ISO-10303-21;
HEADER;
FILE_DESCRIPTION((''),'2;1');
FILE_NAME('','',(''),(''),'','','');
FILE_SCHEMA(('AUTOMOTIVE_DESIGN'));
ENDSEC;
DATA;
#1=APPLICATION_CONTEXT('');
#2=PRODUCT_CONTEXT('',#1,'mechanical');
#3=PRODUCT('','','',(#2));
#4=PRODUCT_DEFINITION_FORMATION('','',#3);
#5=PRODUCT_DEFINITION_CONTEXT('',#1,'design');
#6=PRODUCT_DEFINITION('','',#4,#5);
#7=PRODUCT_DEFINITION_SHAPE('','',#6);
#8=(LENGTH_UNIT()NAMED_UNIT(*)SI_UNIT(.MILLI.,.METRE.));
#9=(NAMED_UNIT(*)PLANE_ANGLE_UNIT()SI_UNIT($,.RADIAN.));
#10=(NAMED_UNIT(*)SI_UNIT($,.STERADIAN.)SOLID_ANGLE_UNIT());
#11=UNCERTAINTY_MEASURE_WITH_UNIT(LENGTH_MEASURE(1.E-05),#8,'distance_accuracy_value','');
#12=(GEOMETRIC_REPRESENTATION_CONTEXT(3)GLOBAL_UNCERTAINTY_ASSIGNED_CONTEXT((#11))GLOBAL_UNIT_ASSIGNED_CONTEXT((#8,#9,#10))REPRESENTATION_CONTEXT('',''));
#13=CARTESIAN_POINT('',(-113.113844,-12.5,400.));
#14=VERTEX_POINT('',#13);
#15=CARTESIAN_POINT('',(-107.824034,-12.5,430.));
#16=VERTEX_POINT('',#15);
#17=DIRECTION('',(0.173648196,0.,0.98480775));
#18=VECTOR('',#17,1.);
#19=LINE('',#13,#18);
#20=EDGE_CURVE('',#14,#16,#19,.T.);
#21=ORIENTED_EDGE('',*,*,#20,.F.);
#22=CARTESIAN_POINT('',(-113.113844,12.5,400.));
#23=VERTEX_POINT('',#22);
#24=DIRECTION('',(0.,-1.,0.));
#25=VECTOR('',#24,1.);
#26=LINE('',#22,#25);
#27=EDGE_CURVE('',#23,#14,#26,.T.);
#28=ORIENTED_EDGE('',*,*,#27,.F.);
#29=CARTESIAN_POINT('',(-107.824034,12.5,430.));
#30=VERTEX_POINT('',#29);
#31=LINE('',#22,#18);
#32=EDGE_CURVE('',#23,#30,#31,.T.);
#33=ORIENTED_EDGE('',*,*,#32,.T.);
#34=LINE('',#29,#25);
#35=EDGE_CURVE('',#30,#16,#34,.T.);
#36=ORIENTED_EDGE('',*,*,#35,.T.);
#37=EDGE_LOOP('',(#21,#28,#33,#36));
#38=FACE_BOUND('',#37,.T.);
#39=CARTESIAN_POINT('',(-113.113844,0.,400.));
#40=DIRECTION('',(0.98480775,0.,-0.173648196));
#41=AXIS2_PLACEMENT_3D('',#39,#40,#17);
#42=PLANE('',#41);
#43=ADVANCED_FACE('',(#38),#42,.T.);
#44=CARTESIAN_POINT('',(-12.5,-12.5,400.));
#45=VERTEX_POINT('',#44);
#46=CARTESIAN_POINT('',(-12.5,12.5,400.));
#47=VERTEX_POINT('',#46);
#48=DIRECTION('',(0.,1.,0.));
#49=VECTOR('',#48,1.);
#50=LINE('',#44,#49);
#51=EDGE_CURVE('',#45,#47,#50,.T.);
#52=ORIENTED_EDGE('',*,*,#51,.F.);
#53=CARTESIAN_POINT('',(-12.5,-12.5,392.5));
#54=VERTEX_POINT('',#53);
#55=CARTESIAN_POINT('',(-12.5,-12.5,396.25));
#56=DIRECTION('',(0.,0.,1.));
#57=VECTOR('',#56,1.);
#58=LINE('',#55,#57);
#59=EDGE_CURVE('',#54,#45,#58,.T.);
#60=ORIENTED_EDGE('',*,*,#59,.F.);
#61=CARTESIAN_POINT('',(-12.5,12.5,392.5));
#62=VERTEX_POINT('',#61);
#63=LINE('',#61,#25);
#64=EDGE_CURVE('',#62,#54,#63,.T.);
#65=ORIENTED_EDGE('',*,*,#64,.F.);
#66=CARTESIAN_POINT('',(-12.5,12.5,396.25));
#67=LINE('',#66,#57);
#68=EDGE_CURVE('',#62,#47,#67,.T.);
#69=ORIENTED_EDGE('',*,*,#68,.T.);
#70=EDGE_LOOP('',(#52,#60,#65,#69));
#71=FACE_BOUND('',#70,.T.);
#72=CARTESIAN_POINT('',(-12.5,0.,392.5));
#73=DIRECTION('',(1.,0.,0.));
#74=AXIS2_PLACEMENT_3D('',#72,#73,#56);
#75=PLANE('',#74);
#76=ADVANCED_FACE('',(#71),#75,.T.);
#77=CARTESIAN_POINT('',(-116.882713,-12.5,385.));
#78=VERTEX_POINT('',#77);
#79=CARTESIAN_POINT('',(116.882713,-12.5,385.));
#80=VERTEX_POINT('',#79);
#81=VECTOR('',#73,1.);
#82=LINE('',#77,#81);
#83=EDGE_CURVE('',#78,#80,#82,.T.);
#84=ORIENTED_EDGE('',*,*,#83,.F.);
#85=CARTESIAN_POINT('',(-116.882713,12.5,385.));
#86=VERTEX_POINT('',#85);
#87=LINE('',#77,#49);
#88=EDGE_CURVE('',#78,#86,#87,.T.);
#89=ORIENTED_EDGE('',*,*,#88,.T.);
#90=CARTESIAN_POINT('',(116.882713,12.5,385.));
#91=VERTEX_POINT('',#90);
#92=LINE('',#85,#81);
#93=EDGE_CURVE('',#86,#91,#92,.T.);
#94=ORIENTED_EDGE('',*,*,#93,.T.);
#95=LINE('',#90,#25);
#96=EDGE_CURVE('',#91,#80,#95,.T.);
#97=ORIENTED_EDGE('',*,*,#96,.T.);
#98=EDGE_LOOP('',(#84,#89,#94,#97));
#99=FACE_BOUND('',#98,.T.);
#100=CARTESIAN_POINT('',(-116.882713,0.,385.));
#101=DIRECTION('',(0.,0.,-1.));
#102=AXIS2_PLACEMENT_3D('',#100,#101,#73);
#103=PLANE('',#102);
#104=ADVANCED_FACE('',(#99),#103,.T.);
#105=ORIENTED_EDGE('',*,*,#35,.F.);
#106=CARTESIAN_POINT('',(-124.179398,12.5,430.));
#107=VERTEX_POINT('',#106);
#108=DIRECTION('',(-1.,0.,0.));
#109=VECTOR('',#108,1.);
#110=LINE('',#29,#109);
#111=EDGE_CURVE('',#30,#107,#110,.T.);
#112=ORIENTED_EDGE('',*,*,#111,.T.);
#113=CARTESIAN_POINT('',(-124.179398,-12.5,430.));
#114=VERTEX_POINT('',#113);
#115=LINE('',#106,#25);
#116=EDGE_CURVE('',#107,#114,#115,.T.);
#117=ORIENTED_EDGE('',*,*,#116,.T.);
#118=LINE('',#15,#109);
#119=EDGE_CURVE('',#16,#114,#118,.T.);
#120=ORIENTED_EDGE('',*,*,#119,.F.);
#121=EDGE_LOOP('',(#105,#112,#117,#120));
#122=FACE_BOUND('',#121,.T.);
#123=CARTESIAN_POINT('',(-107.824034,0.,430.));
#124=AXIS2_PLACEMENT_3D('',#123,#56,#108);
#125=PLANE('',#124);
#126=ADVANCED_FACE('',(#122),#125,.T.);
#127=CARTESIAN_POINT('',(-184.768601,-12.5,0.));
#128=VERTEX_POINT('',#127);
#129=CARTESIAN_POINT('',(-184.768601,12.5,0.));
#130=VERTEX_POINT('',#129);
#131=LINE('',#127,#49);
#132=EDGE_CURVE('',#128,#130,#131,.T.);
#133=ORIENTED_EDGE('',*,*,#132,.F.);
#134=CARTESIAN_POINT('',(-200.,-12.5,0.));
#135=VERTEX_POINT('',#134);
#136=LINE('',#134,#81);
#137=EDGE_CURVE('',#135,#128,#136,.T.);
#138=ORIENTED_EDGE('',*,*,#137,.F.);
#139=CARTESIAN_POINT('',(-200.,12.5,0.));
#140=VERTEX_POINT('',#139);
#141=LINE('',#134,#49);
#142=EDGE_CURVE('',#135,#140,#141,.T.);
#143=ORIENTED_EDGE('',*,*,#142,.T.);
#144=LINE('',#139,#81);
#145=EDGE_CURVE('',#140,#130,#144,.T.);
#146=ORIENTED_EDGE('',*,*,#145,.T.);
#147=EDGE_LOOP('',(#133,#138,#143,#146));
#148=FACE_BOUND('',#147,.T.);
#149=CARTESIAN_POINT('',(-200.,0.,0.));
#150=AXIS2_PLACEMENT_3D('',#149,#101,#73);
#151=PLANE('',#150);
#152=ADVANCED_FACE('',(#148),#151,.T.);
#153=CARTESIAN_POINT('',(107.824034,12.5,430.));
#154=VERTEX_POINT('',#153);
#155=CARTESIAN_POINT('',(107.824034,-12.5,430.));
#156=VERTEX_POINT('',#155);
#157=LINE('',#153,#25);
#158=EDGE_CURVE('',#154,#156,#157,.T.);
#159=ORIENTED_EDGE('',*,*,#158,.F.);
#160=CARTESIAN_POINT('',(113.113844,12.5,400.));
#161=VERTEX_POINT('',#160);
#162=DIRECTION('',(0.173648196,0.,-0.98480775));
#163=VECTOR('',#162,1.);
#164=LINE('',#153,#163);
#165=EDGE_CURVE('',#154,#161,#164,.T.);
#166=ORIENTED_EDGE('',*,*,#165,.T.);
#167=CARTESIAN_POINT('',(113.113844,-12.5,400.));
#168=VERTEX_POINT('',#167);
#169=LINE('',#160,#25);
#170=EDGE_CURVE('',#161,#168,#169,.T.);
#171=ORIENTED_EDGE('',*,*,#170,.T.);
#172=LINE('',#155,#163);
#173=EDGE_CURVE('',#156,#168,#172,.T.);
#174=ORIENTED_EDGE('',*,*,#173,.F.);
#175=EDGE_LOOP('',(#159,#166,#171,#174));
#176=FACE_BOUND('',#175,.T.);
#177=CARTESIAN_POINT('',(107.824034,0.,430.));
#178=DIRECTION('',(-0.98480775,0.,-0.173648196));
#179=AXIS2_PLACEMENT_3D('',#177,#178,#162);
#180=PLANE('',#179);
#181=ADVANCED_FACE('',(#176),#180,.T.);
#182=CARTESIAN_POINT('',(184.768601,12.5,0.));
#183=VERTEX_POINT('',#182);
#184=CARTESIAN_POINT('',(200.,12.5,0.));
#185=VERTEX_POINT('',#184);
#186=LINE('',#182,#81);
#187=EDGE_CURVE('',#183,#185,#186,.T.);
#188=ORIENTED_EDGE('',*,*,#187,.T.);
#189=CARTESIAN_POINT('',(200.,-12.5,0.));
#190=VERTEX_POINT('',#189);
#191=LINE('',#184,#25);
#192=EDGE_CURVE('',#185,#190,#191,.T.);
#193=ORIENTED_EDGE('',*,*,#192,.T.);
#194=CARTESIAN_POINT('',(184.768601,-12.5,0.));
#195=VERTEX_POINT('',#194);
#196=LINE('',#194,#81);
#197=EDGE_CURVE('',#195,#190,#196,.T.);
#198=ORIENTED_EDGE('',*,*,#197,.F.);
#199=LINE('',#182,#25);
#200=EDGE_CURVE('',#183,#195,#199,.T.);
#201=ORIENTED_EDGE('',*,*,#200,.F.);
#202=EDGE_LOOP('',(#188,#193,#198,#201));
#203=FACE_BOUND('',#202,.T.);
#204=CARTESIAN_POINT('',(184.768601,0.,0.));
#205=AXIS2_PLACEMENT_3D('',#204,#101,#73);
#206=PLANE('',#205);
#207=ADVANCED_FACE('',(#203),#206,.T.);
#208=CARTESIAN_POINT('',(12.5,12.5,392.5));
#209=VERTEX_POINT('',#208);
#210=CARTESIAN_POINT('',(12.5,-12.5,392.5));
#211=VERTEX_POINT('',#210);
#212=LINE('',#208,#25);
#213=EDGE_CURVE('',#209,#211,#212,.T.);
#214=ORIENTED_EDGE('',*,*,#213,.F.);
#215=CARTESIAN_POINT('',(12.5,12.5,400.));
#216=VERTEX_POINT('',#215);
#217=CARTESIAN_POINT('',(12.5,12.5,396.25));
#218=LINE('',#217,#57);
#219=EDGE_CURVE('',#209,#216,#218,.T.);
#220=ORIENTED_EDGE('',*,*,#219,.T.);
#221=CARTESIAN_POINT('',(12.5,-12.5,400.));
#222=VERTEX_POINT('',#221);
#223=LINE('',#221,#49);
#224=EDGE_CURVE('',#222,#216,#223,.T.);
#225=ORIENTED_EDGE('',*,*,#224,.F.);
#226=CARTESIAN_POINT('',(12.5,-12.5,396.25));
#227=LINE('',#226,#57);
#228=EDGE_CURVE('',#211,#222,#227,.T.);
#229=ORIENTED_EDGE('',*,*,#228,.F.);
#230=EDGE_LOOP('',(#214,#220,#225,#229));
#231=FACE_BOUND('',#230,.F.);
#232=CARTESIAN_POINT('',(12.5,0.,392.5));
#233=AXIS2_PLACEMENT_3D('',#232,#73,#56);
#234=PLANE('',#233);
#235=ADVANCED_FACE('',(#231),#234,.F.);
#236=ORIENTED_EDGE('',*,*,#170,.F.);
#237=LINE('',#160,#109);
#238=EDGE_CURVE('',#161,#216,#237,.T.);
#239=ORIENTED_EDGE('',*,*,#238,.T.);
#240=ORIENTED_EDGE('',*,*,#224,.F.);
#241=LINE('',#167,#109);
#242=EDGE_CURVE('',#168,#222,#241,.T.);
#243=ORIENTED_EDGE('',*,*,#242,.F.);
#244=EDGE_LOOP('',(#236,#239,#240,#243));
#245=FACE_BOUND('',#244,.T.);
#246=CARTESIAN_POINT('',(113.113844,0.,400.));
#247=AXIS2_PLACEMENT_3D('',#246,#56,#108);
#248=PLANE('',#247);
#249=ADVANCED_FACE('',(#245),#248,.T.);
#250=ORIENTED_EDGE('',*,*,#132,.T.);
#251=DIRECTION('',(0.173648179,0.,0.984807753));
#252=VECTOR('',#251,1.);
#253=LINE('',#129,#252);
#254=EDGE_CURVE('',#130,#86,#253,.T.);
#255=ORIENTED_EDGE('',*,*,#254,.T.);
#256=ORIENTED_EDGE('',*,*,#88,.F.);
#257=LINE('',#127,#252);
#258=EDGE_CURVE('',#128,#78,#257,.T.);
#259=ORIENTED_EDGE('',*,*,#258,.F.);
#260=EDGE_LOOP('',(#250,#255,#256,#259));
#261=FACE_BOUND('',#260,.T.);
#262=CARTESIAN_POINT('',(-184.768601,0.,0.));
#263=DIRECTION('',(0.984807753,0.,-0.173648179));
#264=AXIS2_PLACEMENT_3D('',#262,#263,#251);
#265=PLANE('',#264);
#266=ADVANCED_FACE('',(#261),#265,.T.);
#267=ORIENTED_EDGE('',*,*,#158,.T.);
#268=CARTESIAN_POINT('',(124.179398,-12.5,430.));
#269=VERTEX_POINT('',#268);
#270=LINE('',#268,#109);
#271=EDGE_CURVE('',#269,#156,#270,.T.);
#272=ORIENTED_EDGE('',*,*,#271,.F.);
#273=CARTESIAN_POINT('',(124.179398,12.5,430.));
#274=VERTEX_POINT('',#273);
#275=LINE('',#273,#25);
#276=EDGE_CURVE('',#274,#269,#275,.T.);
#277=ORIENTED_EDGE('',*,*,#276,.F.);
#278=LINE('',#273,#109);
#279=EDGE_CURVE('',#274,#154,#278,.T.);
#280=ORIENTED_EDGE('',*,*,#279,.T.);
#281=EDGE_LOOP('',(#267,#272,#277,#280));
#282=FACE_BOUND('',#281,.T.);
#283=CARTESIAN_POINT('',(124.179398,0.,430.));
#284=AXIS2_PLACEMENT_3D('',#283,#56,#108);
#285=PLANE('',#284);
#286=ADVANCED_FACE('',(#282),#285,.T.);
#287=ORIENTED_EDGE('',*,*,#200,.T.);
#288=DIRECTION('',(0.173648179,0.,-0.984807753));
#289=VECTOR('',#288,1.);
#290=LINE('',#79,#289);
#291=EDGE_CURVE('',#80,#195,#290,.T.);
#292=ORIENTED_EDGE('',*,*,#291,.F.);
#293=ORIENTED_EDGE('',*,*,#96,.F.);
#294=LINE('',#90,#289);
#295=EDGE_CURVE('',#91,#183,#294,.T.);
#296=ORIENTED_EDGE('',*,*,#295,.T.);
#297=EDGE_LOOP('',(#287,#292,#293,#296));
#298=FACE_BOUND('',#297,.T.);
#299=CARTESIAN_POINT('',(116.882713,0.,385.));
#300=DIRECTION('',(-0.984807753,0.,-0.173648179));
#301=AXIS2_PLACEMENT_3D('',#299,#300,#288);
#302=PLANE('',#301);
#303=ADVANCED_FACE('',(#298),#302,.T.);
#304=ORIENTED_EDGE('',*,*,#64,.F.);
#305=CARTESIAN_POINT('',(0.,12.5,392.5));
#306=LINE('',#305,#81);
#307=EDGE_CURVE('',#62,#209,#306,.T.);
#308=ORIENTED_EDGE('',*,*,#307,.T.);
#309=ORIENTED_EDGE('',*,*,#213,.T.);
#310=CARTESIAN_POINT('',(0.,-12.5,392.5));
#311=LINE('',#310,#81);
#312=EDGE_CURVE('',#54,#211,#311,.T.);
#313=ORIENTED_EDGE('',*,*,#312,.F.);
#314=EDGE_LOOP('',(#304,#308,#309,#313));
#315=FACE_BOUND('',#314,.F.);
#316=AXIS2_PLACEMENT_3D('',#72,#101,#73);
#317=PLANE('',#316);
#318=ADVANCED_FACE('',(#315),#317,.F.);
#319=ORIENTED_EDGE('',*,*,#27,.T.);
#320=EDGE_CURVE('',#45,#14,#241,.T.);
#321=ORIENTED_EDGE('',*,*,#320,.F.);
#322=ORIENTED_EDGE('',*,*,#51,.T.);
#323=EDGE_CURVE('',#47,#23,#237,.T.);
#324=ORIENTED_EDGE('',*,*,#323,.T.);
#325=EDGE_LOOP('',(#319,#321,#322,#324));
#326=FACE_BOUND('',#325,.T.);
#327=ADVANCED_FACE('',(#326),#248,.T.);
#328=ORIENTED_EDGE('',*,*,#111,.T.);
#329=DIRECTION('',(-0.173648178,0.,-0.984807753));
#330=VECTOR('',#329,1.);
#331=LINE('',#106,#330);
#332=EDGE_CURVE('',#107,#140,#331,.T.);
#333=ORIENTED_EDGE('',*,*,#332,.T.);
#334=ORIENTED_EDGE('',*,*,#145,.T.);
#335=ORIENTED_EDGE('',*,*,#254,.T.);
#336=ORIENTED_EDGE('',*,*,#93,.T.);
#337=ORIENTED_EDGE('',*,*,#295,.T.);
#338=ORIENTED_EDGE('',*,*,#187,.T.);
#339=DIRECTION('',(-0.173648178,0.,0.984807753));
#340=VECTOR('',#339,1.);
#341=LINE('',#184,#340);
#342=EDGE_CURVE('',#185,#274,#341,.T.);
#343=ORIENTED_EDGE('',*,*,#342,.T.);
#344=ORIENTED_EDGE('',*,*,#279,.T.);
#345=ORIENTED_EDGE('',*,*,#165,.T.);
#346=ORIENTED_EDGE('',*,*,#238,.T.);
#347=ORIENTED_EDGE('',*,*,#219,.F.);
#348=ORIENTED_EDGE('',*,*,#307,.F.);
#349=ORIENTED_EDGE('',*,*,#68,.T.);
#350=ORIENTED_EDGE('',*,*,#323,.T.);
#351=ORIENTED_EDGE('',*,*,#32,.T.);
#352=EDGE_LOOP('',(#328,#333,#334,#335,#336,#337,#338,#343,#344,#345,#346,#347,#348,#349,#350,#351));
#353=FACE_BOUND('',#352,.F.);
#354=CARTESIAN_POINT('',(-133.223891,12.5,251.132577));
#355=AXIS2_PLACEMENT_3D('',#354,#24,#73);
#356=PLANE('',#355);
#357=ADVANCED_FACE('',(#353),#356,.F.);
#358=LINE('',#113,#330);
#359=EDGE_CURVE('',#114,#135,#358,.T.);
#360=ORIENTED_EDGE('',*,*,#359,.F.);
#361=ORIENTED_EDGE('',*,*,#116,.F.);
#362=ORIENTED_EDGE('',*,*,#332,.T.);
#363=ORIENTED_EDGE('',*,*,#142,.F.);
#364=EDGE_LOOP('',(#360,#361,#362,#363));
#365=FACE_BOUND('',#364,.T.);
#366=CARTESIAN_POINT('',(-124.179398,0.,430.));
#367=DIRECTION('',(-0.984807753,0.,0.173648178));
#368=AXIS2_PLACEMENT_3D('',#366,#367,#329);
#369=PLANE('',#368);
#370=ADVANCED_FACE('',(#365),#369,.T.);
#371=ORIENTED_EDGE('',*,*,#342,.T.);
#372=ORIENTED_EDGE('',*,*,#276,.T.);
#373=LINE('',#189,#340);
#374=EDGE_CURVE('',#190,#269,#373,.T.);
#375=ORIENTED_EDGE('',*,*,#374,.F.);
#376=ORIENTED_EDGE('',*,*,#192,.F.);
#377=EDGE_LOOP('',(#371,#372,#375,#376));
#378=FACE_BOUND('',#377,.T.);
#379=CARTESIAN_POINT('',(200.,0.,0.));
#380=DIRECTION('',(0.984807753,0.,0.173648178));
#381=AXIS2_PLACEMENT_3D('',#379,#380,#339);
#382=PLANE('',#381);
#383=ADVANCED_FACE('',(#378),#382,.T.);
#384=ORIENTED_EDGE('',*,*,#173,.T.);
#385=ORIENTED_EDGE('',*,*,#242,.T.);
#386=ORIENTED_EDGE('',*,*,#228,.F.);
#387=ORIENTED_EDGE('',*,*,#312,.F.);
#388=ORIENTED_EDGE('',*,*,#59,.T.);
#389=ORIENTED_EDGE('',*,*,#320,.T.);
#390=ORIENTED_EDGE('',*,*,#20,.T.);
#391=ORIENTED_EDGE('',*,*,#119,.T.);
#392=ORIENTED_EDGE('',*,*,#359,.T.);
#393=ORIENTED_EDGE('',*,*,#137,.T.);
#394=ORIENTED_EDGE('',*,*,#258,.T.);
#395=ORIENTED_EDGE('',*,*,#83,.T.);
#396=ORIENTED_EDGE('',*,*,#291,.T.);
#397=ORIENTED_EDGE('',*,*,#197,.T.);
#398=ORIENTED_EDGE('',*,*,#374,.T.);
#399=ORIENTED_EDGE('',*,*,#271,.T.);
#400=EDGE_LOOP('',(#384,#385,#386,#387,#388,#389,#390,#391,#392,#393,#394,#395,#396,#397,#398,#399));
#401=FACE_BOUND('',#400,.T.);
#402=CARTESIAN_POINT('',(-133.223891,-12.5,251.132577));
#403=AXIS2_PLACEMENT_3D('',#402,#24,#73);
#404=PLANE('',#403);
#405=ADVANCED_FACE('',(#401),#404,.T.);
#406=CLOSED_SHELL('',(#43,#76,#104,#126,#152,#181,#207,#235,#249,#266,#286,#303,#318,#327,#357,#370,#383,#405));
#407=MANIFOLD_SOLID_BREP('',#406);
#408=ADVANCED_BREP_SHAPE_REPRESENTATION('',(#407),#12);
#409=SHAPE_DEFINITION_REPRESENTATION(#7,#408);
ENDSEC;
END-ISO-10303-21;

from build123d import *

# Parameters (mm, degrees)
F1_DEPTH = 12.5
F2_W     = 25
F2_H     = 7.5
F3_DEPTH = 12.5


with BuildPart() as f1:
    # F0 (on Front) → F1 (new body, symmetric)
    with BuildSketch(Plane.XZ):
        Polygon((-116.882713, 385), (0, 385), (0, 400), (-113.113844, 400), (-107.824034, 430), (-124.179398, 430), (-200, 0), (-184.768601, 0), align=None)
        Polygon((0, 400), (0, 385), (116.882713, 385), (184.768601, 0), (200, 0), (124.179398, 430), (107.824034, 430), (113.113844, 400), align=None)
    extrude(amount=F1_DEPTH, both=True)

    # F2 (on Front) → F3 (cut, symmetric)
    with BuildSketch(Plane.XZ):
        with Locations((0, 396.25)):
            Rectangle(F2_W, F2_H)
    extrude(amount=F3_DEPTH, both=True, mode=Mode.SUBTRACT)


solid = f1.part
